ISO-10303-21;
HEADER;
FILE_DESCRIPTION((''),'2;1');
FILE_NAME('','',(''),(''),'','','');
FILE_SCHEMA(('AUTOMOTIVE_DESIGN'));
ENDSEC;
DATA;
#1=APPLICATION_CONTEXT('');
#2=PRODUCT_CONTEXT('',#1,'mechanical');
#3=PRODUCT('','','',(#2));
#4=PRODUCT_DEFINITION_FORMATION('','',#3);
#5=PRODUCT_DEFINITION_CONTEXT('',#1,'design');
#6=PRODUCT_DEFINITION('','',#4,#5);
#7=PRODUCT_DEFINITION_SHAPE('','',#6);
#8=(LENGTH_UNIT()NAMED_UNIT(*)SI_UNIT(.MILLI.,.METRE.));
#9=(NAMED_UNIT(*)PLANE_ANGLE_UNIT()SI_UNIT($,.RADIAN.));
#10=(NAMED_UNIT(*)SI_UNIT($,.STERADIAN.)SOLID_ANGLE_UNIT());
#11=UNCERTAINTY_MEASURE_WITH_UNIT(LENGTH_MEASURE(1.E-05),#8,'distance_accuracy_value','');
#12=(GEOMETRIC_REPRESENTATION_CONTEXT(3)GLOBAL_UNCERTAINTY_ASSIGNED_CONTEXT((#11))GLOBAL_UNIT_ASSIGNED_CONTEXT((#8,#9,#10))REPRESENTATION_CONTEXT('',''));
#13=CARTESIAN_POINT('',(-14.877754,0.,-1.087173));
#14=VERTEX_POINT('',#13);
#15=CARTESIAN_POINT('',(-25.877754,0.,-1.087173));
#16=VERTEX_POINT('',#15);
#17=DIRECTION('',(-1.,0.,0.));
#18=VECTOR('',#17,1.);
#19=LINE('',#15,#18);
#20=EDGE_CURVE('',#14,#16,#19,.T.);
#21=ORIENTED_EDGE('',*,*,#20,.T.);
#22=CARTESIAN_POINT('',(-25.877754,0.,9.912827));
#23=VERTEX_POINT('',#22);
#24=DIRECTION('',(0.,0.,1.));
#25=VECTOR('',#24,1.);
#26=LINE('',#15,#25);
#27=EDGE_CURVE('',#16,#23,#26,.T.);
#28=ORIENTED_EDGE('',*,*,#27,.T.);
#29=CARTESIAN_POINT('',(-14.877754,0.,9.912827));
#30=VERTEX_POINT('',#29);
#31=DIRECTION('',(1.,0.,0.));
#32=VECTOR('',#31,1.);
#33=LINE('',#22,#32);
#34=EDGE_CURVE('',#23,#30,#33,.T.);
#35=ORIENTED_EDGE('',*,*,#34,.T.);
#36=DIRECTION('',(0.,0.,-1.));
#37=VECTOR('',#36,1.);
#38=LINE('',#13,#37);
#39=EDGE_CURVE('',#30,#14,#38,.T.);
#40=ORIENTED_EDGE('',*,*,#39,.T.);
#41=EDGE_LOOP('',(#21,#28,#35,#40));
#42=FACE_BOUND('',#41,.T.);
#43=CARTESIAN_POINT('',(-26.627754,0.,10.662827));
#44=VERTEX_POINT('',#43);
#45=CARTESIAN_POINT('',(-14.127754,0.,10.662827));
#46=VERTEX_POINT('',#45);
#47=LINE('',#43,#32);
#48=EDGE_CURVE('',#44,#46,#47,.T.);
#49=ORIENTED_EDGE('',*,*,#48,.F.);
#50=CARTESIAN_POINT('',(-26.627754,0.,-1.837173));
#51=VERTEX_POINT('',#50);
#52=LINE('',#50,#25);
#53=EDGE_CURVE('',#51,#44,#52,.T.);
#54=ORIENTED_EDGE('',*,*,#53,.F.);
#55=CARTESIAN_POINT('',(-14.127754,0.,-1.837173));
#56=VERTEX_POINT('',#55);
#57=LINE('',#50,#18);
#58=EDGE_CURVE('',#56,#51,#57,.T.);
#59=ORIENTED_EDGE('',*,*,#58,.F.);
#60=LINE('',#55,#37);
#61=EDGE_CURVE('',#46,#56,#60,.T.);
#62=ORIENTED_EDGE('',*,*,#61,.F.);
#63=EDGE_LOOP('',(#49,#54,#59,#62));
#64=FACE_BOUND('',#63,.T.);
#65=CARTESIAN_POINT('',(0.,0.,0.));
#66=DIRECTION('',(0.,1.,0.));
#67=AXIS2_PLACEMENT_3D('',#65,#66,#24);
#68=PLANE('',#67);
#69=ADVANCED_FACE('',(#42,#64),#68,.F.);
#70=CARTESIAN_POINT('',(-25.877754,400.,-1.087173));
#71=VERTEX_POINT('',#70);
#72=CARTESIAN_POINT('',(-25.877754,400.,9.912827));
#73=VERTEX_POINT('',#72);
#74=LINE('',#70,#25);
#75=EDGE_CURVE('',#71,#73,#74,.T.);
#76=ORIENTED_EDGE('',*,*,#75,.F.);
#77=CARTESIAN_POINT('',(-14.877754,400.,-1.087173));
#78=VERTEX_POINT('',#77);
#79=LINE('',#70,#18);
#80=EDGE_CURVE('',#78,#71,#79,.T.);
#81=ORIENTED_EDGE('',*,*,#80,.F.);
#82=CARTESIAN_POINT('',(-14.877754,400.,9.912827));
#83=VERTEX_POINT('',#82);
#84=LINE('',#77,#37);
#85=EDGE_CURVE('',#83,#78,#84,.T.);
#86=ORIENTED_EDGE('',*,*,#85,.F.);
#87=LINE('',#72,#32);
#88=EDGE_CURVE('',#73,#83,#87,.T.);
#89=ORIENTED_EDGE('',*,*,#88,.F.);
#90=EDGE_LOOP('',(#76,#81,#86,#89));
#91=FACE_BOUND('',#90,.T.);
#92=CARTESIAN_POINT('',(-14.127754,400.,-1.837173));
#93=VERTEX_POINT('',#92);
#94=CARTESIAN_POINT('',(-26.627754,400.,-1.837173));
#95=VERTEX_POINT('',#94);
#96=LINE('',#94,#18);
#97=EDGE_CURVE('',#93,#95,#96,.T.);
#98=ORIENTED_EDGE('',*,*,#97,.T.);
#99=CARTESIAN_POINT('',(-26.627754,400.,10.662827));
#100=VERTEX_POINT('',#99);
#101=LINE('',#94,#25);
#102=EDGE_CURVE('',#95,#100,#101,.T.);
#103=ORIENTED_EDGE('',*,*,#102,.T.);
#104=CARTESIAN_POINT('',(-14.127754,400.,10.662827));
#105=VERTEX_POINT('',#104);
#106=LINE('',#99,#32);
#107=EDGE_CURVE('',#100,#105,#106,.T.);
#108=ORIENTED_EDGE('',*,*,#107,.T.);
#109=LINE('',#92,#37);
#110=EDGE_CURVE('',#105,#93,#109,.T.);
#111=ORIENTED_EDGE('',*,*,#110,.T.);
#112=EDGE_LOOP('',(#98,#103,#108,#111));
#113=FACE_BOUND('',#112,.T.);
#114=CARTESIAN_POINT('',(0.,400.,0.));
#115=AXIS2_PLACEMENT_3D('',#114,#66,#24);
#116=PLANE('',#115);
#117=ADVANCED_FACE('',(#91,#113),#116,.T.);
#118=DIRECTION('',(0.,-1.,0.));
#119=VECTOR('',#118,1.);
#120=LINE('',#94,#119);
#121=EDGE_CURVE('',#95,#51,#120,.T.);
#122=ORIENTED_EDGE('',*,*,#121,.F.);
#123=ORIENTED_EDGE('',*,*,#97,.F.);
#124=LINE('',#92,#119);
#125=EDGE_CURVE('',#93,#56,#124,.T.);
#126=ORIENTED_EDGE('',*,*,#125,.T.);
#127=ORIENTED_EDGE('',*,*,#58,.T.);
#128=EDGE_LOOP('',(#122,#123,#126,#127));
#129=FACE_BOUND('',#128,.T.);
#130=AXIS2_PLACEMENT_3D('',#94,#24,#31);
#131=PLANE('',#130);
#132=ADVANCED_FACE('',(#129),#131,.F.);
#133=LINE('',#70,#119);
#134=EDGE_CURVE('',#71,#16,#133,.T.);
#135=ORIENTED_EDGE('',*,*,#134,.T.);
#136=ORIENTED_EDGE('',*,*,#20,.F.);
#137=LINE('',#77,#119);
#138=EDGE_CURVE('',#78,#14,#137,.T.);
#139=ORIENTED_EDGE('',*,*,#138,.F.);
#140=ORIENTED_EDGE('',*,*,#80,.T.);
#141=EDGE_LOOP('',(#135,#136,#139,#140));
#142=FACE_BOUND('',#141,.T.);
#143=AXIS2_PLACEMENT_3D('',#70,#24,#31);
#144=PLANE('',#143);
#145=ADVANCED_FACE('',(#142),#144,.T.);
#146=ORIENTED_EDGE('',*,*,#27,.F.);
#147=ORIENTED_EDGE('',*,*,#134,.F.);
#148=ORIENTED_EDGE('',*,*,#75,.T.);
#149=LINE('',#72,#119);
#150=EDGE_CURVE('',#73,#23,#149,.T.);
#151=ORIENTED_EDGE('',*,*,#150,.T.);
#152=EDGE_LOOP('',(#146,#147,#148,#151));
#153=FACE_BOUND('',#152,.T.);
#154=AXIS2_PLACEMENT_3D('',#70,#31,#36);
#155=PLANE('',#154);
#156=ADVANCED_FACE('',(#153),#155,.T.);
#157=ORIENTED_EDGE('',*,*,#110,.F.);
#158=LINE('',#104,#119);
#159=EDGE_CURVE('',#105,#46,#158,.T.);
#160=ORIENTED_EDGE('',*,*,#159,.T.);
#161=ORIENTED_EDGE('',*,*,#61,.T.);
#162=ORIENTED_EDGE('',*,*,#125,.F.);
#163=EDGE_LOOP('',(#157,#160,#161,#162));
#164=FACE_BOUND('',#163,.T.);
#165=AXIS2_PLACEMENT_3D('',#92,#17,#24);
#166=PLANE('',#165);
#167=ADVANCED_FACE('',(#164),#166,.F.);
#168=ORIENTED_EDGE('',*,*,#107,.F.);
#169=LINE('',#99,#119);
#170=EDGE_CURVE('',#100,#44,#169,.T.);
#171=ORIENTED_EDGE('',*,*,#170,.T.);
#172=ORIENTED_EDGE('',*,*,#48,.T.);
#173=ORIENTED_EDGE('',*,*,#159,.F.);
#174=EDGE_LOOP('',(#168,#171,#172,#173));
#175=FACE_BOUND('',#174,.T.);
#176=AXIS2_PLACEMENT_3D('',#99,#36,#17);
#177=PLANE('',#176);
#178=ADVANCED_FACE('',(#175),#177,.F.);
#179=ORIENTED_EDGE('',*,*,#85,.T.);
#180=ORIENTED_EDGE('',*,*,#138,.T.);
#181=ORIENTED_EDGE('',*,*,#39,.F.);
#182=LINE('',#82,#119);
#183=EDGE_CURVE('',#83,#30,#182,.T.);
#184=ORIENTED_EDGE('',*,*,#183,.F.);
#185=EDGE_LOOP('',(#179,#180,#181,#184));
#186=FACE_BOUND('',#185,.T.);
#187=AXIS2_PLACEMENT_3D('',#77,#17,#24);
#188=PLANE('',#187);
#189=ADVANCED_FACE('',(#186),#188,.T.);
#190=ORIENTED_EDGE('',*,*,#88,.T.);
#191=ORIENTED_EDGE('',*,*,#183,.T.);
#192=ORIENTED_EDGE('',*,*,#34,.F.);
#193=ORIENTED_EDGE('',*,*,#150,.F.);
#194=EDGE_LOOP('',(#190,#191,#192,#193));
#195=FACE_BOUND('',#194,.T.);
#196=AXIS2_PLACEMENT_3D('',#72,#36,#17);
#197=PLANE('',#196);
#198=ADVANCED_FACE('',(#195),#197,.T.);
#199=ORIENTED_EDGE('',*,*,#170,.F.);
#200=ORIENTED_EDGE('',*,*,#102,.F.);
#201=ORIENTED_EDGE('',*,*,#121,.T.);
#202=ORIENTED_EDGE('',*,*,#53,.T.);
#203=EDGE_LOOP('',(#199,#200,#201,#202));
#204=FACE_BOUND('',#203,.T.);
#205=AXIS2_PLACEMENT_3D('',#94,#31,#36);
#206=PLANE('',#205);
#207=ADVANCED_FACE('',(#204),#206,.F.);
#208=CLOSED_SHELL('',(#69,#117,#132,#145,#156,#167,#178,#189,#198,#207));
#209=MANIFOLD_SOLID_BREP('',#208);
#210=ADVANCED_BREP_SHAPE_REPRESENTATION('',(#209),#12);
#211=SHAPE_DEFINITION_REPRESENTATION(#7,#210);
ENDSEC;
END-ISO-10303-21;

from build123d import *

# Parameters (mm, degrees)
SKETCH1_W           = 12.5
SKETCH1_H           = 12.5
SKETCH1_W_2         = 11
SKETCH1_H_2         = 11
BOSS_EXTRUDE3_DEPTH = 400


with BuildPart() as part:
    # Sketch1 → Boss-Extrude3 (new body)
    with BuildSketch(Plane(origin=(0, 0, 0), x_dir=(1, 0, 0), z_dir=(0, 1, 0))):
        with Locations((-20.377754415, -4.412827368)):
            Rectangle(SKETCH1_W, SKETCH1_H)
        with Locations((-20.377754415, -4.412827368)):
            Rectangle(SKETCH1_W_2, SKETCH1_H_2, mode=Mode.SUBTRACT)
    extrude(amount=BOSS_EXTRUDE3_DEPTH)


solid = part.part
